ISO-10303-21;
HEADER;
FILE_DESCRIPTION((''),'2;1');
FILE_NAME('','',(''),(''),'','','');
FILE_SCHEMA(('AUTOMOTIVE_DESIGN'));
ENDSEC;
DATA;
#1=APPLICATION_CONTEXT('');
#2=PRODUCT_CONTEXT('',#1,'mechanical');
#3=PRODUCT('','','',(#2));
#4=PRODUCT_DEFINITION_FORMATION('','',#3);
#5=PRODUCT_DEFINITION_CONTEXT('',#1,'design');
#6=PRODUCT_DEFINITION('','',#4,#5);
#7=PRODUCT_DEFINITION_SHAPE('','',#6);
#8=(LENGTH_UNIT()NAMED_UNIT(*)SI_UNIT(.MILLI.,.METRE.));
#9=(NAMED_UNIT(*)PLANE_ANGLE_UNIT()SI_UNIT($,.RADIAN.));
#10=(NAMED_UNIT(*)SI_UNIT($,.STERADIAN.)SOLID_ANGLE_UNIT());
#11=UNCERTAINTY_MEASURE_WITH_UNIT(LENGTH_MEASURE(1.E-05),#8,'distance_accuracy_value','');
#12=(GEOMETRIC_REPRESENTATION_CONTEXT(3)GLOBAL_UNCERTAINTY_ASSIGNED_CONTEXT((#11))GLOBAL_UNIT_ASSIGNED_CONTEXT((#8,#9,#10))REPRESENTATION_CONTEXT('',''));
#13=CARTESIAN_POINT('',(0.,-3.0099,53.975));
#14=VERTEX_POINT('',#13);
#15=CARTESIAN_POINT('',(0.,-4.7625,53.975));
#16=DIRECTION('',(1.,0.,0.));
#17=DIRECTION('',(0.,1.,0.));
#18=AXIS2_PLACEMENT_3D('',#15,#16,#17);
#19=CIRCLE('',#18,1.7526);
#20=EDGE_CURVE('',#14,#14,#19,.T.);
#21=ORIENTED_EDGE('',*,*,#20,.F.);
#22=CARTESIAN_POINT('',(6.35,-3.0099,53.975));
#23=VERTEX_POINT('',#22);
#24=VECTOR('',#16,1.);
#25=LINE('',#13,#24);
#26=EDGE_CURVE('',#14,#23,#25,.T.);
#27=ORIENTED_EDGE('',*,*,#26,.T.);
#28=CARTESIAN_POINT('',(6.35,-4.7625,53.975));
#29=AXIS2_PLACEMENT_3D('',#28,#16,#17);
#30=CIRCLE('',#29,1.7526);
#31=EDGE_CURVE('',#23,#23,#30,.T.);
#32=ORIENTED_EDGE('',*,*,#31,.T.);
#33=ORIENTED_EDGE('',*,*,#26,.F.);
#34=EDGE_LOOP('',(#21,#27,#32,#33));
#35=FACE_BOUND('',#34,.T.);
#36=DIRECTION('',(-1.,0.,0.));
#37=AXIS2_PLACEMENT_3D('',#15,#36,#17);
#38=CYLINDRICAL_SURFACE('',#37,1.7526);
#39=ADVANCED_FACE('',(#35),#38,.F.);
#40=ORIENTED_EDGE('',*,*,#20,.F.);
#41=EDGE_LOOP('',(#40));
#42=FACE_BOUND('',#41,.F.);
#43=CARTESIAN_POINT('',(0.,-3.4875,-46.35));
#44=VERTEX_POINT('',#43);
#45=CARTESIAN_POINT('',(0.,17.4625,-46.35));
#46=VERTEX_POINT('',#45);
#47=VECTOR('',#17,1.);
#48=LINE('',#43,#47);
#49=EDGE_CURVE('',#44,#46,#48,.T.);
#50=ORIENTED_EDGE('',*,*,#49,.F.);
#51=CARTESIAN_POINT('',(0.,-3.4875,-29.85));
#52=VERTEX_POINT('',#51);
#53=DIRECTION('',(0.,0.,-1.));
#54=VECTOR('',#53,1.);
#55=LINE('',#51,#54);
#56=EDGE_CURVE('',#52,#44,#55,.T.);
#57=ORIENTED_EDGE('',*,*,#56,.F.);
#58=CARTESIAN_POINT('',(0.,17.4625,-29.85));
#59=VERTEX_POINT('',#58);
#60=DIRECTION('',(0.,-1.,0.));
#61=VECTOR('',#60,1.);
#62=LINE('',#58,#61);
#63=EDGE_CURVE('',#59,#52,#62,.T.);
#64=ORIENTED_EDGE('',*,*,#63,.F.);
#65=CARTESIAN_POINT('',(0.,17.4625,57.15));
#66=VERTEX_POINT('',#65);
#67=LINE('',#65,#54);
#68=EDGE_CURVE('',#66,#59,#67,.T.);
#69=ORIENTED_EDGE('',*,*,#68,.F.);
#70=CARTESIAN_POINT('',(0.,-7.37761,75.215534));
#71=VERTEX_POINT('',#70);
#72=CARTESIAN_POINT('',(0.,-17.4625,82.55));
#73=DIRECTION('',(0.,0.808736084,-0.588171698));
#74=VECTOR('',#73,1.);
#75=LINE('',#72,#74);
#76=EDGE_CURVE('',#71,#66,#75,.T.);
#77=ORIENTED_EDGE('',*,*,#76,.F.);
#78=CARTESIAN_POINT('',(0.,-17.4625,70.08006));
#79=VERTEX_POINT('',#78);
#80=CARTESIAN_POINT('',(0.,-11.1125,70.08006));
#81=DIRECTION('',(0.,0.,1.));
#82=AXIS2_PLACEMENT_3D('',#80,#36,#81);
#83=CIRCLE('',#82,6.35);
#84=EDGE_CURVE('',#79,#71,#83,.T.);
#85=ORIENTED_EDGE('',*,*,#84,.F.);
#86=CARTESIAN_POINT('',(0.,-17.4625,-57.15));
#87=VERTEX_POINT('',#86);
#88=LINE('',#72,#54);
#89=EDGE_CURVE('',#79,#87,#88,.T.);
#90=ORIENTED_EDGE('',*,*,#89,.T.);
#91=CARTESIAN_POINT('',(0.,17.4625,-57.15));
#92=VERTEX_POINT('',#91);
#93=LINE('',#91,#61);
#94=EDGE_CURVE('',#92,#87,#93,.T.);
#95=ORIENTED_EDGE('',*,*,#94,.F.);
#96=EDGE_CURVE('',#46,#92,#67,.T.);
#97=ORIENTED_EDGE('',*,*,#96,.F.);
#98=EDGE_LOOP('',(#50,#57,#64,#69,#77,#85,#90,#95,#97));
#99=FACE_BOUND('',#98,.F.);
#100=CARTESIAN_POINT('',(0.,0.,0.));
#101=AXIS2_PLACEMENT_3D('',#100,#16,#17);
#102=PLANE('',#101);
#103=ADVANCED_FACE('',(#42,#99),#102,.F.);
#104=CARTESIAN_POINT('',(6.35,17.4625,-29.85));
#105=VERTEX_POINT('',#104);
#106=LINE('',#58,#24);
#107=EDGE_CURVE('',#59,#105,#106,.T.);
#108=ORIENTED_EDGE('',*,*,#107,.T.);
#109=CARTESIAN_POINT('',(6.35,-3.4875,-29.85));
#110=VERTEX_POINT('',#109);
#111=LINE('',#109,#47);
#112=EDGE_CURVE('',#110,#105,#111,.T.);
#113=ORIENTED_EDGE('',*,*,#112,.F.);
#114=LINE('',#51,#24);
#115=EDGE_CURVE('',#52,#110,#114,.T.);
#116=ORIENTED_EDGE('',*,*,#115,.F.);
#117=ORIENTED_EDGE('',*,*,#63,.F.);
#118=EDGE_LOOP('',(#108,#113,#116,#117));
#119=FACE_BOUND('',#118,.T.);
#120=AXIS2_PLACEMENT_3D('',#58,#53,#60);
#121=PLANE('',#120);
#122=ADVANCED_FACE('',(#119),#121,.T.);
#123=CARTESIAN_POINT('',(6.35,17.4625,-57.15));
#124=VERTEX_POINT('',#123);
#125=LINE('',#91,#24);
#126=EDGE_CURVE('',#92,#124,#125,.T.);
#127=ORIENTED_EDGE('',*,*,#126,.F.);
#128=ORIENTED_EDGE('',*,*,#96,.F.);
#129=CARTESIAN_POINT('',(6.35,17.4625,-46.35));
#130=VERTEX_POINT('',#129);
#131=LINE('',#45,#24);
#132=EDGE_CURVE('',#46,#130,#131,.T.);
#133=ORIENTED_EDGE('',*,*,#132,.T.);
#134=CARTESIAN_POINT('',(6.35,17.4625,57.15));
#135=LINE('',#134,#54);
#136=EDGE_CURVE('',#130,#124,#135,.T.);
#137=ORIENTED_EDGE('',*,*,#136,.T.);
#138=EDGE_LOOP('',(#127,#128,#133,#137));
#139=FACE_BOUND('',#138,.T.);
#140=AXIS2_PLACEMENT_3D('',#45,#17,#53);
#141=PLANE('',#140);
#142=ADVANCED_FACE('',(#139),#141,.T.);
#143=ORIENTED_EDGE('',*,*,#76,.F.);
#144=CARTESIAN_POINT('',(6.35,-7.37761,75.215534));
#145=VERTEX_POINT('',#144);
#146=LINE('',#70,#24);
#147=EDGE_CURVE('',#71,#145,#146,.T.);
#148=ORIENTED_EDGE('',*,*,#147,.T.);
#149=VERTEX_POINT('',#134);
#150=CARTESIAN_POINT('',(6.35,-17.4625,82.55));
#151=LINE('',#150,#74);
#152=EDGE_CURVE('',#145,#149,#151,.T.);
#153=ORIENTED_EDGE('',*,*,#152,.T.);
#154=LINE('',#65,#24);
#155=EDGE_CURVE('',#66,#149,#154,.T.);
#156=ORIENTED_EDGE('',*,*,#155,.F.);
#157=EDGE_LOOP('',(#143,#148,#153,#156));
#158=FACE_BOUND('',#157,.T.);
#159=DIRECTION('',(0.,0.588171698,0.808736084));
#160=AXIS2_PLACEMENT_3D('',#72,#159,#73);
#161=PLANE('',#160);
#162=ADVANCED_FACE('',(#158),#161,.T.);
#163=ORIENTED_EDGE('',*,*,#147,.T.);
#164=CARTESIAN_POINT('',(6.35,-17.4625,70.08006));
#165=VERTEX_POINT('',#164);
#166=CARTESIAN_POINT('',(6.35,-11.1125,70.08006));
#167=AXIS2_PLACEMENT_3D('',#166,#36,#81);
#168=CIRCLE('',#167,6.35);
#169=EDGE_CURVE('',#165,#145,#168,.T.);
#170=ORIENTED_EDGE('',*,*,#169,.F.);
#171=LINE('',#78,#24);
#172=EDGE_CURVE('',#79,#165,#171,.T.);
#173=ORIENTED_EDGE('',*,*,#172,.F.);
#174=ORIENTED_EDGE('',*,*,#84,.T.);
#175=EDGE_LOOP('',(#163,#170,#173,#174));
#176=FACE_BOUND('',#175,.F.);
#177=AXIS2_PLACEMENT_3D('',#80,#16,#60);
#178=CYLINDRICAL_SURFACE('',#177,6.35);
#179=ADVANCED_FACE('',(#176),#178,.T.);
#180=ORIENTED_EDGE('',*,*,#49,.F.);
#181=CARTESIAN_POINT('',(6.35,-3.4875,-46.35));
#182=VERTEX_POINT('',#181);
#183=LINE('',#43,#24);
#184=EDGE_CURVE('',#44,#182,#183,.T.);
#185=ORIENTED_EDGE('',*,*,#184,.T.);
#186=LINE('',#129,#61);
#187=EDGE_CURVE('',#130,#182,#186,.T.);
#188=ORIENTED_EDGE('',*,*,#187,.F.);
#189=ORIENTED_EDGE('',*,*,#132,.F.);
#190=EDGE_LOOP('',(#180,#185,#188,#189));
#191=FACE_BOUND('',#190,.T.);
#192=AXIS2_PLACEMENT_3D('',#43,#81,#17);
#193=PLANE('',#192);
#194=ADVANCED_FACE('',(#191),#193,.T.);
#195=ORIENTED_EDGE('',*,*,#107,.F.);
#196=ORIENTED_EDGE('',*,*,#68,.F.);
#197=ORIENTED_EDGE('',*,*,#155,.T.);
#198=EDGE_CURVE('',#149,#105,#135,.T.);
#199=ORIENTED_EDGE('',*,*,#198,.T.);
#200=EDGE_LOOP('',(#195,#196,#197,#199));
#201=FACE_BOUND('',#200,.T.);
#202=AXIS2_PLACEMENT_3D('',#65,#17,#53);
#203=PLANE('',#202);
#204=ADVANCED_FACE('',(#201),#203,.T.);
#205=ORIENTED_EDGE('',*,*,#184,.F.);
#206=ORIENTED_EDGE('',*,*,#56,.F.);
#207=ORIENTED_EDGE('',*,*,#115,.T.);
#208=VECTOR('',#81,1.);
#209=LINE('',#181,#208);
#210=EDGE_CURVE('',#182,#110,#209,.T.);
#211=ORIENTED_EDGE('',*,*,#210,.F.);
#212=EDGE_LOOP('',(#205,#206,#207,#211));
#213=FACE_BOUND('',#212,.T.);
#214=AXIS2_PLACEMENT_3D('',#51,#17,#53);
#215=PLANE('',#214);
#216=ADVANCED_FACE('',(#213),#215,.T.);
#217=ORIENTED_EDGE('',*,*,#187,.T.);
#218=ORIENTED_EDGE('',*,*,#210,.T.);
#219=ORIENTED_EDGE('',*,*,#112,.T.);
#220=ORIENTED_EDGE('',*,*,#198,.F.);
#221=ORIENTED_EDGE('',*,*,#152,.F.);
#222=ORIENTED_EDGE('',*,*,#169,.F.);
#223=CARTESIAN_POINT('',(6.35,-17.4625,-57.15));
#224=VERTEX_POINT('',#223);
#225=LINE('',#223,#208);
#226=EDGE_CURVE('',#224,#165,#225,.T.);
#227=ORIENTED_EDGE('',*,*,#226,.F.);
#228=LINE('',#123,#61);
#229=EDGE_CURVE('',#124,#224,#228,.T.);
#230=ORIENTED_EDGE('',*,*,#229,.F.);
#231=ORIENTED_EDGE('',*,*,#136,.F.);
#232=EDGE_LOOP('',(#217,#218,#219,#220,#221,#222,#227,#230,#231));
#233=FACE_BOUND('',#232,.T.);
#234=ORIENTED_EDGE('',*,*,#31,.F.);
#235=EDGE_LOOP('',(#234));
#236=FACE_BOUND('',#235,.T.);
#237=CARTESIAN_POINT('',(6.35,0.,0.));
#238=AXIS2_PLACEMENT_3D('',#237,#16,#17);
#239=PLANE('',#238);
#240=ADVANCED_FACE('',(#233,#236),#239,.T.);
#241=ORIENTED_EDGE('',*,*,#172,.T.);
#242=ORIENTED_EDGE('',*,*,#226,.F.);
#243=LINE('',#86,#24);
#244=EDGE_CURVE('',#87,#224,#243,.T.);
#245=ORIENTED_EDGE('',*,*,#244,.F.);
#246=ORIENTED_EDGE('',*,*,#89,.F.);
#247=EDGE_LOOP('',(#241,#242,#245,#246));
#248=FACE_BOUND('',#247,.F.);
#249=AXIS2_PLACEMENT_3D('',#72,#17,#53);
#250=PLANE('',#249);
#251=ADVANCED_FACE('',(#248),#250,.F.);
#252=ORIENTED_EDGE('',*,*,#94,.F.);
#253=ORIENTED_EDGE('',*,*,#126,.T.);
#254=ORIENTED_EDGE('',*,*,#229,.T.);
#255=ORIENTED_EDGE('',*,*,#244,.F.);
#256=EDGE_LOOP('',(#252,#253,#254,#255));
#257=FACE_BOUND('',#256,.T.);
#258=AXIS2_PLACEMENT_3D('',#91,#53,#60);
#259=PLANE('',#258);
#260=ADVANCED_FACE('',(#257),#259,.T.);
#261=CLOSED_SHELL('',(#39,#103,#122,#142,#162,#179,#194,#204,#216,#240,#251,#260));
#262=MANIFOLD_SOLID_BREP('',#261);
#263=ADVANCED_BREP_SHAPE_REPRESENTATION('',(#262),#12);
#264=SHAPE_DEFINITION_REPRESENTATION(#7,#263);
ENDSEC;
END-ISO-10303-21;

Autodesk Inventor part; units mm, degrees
ref_plane "YZ Plane" through (0, 0, 0) normal (1, 0, 0) x (0, 1, 0)
ref_plane "XZ Plane" through (0, 0, 0) normal (0, 1, 0) x (-1, 0, 0)
ref_plane "XY Plane" through (0, 0, 0) normal (0, 0, 1) x (1, 0, 0)
sketch "Sketch1" plane through (0, 0, 0) normal (1, 0, 0) x (0, 1, 0)
  line L0 (-17.4625, 57.15) -> (17.4625, 57.15)
  line L1 (17.4625, 57.15) -> (17.4625, -57.15)
  line L2 (17.4625, -57.15) -> (-17.4625, -57.15)
  line L3 (-17.4625, -57.15) -> (-17.4625, 57.15)
  line L4 (-17.4625, 57.15) -> (17.4625, -57.15) construction
  line L5 (17.4625, 57.15) -> (-17.4625, -57.15) construction
  line L6 (0, 57.15) -> (0, -57.15) construction
  circle A0 centre (4.7625, -38.1) radius 12.7 construction
  line L7 (17.4625, -50.8) -> (-17.4625, -50.8) construction
  circle A1 centre (4.7625, -38.1) radius 11
  line L8 (-17.4625, 57.15) -> (17.4625, 57.15)
  line L9 (17.4625, 57.15) -> (17.4625, 82.55) construction
  line L10 (17.4625, 82.55) -> (-17.4625, 82.55) construction
  line L11 (-17.4625, 82.55) -> (-17.4625, 57.15)
  line L12 (-17.4625, 82.55) -> (17.4625, 57.15)
  circle A2 centre (4.7625, -38.1) radius 25.4 construction
  line L13 (17.4625, -25.4) -> (-17.4625, -25.4) construction
  line L14 (-3.4875, -46.35) -> (13.0125, -46.35)
  line L15 (13.0125, -46.35) -> (13.0125, -29.85) construction
  line L16 (13.0125, -29.85) -> (-3.4875, -29.85)
  line L17 (-3.4875, -29.85) -> (-3.4875, -46.35)
  line L18 (-3.4875, -46.35) -> (13.0125, -29.85) construction
  line L19 (13.0125, -46.35) -> (-3.4875, -29.85) construction
  line L20 (-3.4875, -46.35) -> (17.4625, -46.35)
  line L21 (17.4625, -46.35) -> (17.4625, -29.85)
  line L22 (17.4625, -29.85) -> (-3.4875, -29.85)
  line L23 (-3.4875, -29.85) -> (-3.4875, -46.35)
  circle A3 centre (-4.7625, 53.975) radius 15.875 construction
  line L24 (-20.6375, -38.1) -> (-20.6375, 53.975) construction
  circle A4 centre (-4.7625, 53.975) radius 1.7526
  point P0 (0, 0)
  point P1 (14.2875, -46.35)
  point P2 (14.2875, -29.85)
  point P3 (12.0383, -29.85)
  point P4 (17.4625, -32.5978)
  point P5 (17.4625, -43.6022)
  point P6 (12.0383, -46.35)
  point P7 (17.4625, -46.35)
  dimension "d9" = 50.8
  dimension "d16" = 31.75
  dimension "d0" = 34.925
  dimension "d1" = 114.3
  dimension "d2" = 25.4
  dimension "d6" = 22
  dimension "d7" = 25.4
  dimension "d11" = 6.35
  dimension "d12" = 16.5
  dimension "d13" = 16.5
  dimension "d15" = 12.7
  dimension "d17" = 92.075
  dimension "d18" = 3.5052
extrude "Extrusion1" add sketch "Sketch1" along normal blind 6.35 contours L11 L12 L0 | L0 L1 L22 L16 A1 L17 L14 L20 L2 L3 | L16 A1 | A1 L14 | L17 A1
fillet "Fillet1" radius 6.35 1 edges at (3.175, -17.4625, 82.55)
properties part number "Side" material "UHMW, White"
